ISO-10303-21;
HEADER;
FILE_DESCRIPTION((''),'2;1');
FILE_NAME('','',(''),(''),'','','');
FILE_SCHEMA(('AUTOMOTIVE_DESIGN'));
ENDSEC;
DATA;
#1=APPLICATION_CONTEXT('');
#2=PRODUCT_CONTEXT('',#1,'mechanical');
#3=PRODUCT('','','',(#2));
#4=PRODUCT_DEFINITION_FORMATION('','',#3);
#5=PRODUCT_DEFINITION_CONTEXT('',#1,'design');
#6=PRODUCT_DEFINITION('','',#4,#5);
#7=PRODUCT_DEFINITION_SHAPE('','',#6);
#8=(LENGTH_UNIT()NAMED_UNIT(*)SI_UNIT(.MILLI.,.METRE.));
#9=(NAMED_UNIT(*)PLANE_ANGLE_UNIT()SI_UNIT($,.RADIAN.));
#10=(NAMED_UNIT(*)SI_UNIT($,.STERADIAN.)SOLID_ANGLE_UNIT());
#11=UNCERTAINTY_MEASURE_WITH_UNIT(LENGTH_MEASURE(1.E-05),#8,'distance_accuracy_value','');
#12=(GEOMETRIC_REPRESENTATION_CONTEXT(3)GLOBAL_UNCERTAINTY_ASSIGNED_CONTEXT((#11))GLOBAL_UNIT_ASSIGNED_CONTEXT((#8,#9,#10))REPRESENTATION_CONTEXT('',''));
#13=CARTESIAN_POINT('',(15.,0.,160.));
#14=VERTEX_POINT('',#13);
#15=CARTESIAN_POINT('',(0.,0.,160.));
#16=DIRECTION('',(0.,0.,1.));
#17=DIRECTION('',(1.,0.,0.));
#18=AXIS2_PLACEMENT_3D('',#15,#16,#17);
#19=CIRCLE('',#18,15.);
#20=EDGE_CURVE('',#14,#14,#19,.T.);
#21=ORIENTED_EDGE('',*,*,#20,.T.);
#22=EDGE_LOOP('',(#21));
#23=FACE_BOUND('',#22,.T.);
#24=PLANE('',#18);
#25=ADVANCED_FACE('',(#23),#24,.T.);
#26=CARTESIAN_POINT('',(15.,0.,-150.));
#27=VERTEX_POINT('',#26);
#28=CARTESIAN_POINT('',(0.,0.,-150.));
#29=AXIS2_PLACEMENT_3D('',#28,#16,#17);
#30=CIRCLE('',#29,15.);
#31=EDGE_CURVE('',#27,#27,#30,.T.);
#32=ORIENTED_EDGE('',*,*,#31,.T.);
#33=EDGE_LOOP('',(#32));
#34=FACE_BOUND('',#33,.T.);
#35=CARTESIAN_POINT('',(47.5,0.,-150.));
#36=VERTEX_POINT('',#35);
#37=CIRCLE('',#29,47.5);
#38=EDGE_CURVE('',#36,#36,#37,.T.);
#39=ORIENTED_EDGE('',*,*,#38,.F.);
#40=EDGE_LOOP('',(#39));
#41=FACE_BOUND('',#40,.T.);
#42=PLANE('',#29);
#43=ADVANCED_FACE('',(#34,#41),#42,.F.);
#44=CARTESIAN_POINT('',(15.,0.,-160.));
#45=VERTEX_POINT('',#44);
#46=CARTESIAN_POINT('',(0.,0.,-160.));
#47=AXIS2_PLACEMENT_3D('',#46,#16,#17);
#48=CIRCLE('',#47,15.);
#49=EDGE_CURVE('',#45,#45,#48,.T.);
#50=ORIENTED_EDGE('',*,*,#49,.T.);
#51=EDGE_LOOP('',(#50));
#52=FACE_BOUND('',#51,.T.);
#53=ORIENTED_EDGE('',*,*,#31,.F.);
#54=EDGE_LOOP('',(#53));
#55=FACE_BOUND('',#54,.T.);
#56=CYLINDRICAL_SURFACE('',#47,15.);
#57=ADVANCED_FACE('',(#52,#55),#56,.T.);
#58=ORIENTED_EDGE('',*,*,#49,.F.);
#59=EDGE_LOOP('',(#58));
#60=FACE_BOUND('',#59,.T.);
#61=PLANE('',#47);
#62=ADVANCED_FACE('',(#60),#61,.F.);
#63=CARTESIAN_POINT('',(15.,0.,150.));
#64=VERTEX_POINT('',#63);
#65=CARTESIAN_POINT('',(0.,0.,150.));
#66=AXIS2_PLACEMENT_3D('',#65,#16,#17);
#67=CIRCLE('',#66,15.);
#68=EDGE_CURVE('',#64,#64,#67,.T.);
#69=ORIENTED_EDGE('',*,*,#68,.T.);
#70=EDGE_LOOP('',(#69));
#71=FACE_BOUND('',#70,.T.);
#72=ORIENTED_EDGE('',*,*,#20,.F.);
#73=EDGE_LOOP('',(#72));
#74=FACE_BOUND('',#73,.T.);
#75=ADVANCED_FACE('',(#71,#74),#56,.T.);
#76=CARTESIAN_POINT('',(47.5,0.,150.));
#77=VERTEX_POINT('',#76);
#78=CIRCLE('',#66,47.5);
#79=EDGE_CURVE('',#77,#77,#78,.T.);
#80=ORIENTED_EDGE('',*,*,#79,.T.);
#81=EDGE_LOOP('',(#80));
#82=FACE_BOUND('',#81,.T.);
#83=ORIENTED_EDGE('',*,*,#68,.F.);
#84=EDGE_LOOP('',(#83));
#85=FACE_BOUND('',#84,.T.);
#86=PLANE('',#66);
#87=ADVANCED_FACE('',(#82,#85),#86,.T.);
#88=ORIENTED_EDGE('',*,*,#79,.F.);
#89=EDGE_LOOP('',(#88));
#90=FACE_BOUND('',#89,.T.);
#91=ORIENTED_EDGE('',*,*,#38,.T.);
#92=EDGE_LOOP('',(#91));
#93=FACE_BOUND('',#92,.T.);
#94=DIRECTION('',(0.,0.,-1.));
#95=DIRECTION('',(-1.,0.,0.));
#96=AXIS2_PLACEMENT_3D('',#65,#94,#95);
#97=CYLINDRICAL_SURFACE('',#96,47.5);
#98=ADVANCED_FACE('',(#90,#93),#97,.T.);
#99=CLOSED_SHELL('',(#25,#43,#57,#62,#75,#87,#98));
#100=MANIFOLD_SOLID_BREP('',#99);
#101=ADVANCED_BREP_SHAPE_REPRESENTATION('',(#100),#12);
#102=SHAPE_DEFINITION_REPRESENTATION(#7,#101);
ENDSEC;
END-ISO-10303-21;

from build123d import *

# Parameters (mm, degrees)
SKETCH1_R                = 47.5
BOSS_EXTRUDE1_DEPTH      = 150
BOSS_EXTRUDE2_DEPTH      = 10
BOSS_EXTRUDE2_DEPTH_BACK = 310
SKETCH2_R                = 15


with BuildPart() as part:
    # Sketch1 → Boss-Extrude1 (new, symmetric)
    with BuildSketch(Plane.XY):
        Circle(SKETCH1_R)
    extrude(amount=BOSS_EXTRUDE1_DEPTH, both=True)

    # Sketch2 → Boss-Extrude2 (add, two sides: drawn at the far end of the back side and taken through both)
    with BuildSketch(Plane.XY.offset(150).offset(-BOSS_EXTRUDE2_DEPTH_BACK)):
        Circle(SKETCH2_R)
    extrude(amount=BOSS_EXTRUDE2_DEPTH + BOSS_EXTRUDE2_DEPTH_BACK)


solid = part.part
